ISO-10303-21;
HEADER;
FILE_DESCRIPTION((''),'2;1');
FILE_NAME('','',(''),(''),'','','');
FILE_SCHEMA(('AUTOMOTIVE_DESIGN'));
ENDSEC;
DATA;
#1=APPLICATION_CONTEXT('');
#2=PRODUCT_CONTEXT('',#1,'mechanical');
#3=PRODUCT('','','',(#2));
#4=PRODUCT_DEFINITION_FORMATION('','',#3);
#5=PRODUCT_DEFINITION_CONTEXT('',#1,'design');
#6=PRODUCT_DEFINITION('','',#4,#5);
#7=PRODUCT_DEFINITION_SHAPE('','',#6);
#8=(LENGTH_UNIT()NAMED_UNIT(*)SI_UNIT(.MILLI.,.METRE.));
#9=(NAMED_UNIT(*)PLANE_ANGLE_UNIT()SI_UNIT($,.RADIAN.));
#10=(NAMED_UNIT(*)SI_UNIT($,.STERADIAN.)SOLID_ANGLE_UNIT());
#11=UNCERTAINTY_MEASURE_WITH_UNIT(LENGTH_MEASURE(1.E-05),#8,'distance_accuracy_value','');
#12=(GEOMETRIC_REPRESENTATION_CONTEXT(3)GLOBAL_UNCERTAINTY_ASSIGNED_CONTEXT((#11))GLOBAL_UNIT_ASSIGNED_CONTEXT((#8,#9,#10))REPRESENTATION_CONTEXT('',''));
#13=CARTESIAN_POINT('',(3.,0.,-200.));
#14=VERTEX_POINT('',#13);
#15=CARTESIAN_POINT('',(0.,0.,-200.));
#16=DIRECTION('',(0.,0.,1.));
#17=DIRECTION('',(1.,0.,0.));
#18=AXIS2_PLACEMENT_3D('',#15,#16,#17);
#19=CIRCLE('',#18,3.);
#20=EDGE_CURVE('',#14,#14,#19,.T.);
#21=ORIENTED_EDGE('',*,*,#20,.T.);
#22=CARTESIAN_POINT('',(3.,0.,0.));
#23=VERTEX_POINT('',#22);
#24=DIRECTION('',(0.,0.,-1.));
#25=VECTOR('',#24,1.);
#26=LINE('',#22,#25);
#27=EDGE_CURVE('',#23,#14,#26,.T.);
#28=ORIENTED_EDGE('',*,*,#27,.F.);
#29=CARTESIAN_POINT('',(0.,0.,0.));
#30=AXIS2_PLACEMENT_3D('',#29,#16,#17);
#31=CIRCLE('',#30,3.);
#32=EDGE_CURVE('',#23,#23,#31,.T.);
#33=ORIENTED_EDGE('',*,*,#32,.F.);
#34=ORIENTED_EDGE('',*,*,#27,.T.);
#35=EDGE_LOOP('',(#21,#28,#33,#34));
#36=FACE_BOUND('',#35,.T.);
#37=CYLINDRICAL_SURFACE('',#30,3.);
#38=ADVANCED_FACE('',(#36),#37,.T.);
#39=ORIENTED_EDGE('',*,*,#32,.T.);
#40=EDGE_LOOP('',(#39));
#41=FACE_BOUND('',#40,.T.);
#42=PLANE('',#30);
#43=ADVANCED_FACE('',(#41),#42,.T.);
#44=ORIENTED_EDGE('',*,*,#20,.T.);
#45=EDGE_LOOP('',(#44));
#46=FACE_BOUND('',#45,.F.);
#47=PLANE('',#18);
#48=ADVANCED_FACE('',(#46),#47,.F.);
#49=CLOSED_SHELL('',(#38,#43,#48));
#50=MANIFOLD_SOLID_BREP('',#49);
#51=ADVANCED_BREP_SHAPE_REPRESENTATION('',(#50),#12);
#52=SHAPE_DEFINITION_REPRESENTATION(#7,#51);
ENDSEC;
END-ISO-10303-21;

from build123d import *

# Parameters (mm, degrees)
SKETCH1_R           = 3
BOSS_EXTRUDE1_DEPTH = 200


with BuildPart() as part:
    # Sketch1 → Boss-Extrude1 (new body)
    with BuildSketch(Plane.XY):
        Circle(SKETCH1_R)
    extrude(amount=-BOSS_EXTRUDE1_DEPTH)


solid = part.part
